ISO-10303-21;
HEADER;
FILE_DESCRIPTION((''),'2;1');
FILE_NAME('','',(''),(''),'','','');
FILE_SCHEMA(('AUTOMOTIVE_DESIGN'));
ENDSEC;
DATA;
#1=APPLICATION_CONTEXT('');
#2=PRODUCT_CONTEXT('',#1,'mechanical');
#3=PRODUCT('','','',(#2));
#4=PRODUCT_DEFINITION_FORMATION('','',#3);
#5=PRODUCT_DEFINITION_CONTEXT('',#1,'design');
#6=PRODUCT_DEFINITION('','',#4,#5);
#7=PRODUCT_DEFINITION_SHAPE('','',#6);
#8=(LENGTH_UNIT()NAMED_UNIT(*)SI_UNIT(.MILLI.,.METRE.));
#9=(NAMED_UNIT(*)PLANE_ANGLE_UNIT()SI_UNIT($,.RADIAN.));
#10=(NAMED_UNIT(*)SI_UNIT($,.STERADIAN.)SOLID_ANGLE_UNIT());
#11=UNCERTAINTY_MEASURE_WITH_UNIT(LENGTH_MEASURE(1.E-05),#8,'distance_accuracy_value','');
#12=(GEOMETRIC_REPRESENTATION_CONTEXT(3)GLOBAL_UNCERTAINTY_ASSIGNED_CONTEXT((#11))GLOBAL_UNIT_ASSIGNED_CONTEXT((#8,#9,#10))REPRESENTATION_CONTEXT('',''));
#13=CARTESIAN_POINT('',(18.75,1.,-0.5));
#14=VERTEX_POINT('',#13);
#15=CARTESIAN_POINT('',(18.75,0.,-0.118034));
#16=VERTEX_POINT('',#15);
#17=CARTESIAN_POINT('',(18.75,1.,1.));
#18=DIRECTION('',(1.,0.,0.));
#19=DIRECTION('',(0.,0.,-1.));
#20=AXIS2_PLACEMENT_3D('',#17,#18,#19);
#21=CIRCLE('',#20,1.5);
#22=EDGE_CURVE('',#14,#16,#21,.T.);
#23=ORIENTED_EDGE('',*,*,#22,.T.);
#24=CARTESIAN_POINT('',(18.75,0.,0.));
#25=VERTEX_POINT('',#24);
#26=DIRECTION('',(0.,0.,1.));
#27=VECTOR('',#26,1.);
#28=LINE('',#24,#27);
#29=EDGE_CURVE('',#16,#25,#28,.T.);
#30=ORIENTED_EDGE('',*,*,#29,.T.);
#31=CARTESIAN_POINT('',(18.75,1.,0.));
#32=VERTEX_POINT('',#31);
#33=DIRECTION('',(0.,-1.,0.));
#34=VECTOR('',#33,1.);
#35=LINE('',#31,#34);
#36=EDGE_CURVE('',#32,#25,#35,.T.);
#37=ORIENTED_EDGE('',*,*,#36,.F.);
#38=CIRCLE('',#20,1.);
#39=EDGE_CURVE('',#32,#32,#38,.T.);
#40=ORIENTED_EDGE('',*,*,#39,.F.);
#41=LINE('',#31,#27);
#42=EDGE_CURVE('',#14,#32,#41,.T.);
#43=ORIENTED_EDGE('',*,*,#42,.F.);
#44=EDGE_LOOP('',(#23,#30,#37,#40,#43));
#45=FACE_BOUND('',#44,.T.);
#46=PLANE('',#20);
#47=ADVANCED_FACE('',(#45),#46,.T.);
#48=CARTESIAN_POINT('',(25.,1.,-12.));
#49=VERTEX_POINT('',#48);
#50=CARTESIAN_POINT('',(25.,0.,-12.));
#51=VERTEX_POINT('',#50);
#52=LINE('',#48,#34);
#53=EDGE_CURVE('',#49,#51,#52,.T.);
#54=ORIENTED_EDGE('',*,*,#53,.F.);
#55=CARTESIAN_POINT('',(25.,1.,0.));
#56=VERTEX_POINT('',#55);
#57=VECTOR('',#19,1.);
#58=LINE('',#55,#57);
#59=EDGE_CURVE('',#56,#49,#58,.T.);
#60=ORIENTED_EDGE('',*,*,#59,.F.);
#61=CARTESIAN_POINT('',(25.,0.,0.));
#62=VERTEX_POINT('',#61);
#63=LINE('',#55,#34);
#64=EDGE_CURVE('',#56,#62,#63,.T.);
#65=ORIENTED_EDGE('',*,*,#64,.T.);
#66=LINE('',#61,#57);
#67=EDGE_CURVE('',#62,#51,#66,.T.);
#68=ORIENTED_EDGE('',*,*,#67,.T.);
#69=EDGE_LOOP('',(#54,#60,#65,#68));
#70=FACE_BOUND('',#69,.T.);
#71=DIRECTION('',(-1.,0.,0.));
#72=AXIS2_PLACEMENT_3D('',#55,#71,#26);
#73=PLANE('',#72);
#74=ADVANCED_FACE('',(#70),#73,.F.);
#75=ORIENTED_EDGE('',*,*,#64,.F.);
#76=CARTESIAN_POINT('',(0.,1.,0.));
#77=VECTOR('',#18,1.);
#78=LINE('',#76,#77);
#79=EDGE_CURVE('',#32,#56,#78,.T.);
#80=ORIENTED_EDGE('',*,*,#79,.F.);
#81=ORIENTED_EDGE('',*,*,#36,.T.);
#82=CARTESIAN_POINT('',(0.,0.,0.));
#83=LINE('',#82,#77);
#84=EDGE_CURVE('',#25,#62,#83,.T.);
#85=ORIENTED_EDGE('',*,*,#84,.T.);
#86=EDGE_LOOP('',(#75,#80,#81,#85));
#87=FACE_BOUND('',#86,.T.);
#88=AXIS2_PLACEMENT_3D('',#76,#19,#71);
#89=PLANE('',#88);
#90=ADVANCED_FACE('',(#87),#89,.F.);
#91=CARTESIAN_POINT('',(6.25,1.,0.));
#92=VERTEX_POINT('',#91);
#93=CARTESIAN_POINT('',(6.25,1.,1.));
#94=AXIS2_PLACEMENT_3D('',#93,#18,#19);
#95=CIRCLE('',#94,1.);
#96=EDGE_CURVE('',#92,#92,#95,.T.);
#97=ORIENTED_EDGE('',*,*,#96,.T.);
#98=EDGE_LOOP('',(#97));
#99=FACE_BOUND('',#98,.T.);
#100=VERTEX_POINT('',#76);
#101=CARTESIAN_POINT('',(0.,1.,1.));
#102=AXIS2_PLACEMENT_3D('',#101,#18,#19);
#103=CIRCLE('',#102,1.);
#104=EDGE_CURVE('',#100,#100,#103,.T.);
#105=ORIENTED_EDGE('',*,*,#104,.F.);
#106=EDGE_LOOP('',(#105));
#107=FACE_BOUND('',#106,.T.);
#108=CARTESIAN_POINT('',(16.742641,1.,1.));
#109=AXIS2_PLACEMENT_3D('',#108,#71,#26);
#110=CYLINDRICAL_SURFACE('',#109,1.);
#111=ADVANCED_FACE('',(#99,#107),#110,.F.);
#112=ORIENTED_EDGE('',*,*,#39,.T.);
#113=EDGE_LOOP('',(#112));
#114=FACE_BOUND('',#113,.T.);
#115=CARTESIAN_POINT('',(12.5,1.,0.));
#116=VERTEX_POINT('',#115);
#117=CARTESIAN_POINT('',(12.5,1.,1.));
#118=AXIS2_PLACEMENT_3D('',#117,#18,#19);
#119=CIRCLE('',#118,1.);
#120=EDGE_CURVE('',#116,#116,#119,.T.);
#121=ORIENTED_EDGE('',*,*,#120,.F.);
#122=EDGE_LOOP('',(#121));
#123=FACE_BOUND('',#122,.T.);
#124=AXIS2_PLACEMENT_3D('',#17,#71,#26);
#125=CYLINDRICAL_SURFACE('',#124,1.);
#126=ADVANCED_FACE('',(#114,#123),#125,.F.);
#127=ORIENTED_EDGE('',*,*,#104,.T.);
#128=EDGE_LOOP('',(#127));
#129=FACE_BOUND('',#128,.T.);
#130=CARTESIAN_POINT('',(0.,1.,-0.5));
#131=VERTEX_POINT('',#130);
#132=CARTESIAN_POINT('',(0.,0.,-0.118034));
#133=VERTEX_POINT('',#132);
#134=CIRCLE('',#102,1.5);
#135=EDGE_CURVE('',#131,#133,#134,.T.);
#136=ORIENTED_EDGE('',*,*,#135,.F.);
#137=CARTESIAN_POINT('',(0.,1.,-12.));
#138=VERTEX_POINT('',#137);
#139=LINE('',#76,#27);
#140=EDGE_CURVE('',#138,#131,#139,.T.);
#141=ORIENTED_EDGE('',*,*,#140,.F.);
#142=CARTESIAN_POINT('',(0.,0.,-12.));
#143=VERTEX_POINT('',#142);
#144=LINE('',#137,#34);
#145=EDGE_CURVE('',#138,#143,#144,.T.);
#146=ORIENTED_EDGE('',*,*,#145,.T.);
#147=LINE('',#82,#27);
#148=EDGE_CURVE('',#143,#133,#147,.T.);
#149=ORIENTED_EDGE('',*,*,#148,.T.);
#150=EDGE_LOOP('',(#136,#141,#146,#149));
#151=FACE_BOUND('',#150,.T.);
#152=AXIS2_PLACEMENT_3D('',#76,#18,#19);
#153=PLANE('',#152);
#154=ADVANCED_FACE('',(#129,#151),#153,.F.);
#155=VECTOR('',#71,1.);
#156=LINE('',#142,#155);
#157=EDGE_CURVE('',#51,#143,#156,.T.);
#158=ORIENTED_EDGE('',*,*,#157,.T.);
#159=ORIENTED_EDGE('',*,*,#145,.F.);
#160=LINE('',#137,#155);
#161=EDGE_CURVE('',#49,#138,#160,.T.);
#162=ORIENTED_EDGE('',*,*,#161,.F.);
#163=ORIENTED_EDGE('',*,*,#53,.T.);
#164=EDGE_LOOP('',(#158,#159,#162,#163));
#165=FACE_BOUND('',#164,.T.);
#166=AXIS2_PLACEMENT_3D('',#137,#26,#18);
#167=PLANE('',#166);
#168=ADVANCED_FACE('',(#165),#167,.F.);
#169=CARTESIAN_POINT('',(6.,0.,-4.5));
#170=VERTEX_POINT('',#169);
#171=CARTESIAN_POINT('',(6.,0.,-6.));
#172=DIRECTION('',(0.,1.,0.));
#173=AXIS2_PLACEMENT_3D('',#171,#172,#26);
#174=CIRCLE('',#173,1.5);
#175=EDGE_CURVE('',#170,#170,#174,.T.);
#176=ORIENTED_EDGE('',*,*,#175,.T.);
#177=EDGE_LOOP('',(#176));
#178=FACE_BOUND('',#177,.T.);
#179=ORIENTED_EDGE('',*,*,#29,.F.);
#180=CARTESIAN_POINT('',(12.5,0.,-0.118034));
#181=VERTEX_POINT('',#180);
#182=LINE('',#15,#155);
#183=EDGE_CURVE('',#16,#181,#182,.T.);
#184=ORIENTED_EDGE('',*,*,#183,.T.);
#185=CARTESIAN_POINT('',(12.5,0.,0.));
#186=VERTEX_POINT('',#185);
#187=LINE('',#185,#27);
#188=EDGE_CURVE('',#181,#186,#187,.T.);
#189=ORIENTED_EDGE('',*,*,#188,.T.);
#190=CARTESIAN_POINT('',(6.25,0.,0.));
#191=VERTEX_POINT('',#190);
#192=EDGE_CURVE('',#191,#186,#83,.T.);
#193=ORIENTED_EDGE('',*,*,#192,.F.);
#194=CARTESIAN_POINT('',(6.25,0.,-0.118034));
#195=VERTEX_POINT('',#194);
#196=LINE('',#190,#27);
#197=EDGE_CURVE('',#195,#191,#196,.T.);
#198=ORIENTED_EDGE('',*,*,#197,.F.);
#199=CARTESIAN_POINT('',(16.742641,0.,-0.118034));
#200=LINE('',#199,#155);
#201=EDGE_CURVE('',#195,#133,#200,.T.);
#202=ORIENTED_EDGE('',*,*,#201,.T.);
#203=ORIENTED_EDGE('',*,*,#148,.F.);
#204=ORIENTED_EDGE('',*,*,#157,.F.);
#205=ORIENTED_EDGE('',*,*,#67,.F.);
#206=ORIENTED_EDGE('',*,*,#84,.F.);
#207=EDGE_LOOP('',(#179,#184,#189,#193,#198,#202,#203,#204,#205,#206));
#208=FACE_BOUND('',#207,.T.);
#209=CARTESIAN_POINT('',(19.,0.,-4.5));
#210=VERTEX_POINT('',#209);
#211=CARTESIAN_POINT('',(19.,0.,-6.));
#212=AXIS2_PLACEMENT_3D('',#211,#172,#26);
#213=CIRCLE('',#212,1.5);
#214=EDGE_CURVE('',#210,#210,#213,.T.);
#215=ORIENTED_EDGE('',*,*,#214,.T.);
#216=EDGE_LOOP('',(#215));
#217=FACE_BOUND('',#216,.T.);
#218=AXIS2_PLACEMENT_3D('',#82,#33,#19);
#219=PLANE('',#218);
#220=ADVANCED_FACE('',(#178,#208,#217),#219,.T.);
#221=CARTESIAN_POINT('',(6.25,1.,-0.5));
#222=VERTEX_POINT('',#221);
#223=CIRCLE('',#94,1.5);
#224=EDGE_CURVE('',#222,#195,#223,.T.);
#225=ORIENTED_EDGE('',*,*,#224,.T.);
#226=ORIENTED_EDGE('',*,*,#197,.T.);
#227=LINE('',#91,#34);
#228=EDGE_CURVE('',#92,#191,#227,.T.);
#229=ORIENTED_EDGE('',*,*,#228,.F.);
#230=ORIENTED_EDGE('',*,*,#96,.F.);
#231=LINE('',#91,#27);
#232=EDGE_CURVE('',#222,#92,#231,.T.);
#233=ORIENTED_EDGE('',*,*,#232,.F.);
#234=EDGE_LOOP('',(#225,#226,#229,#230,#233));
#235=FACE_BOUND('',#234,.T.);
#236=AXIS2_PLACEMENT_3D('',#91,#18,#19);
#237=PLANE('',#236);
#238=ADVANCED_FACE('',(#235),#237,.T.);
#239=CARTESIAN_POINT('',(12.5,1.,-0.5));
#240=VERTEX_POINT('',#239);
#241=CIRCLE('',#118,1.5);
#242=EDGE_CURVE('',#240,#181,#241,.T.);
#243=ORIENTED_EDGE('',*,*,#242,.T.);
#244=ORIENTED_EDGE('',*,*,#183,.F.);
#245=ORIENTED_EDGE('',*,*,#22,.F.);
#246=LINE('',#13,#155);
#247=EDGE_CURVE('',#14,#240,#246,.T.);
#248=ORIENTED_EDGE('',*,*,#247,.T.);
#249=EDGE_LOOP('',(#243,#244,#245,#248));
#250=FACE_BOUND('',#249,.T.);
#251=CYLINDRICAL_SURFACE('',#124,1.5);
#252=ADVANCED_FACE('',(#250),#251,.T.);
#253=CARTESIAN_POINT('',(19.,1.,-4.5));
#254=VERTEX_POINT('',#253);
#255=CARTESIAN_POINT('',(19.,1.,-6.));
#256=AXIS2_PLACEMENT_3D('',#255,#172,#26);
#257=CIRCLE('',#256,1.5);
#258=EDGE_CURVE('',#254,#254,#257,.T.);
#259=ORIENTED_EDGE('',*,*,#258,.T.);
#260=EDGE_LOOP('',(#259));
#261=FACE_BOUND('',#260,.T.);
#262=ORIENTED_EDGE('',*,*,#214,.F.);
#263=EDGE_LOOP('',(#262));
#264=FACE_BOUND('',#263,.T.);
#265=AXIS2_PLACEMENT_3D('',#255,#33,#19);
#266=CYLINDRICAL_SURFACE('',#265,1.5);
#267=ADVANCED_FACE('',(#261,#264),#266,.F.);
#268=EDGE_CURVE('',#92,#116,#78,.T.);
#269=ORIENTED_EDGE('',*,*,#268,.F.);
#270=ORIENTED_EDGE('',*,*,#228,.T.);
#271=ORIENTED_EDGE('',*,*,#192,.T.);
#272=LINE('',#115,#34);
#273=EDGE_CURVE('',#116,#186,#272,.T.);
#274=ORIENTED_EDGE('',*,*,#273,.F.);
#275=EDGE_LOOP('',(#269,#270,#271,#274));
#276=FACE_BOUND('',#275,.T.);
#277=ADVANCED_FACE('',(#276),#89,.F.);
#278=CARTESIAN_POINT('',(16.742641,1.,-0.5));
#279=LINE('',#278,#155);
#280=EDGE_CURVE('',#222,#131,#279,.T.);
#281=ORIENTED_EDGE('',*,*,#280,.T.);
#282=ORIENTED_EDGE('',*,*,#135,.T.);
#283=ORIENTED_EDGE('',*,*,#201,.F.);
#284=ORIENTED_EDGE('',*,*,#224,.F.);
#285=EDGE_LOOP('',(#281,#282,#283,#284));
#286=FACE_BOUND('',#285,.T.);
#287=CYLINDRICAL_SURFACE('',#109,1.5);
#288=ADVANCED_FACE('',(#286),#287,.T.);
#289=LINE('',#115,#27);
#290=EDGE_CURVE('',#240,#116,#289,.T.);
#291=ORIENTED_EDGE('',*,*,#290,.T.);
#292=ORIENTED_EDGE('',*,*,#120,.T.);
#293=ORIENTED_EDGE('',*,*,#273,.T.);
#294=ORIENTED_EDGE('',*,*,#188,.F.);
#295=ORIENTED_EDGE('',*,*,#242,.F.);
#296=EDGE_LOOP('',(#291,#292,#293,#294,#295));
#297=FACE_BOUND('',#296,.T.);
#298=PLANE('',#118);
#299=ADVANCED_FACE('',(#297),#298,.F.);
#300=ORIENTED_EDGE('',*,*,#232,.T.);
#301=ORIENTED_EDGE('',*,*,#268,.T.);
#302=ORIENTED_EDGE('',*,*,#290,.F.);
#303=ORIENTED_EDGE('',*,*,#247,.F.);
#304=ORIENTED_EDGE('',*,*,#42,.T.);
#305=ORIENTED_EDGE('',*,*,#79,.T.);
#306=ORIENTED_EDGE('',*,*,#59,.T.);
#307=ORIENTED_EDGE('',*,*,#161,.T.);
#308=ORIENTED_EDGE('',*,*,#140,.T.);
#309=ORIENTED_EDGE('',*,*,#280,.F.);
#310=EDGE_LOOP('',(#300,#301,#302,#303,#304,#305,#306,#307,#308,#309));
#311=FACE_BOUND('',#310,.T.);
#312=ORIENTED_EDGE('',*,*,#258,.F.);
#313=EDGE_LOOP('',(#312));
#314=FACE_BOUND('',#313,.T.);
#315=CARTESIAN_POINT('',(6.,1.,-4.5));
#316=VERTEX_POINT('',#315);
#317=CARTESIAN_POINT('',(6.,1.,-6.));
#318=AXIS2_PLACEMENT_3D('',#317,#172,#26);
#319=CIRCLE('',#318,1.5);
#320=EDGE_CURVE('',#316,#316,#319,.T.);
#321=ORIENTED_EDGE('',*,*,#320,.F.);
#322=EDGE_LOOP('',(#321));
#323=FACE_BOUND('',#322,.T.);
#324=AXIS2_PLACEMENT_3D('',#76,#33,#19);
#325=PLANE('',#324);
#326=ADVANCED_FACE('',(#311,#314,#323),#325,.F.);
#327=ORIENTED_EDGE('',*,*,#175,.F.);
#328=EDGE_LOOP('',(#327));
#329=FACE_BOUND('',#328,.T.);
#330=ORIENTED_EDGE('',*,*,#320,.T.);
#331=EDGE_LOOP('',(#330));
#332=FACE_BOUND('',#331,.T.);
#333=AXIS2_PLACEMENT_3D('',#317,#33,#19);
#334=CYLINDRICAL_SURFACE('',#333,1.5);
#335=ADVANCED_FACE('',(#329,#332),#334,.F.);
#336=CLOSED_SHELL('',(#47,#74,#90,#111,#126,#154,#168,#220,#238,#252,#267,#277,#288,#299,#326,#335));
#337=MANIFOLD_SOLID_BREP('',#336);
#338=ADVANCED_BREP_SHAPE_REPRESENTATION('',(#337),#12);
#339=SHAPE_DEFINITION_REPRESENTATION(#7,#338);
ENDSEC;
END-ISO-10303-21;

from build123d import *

# Parameters (mm, degrees)
SKETCH1_W           = 25
SKETCH1_H           = 12
SKETCH1_R           = 1.5
BOSS_EXTRUDE1_DEPTH = 1
SKETCH2_R           = 1.5
SKETCH2_R_2         = 1
BOSS_EXTRUDE2_DEPTH = 6.25
BOSS_EXTRUDE3_START = 12.5
SKETCH3_R           = 1.5
SKETCH3_R_2         = 1
BOSS_EXTRUDE3_DEPTH = 6.25


with BuildPart() as part:
    # Sketch1 → Boss-Extrude1 (new body)
    with BuildSketch(Plane(origin=(0, 0, 0), x_dir=(1, 0, 0), z_dir=(0, 1, 0))):
        with Locations((12.5, 6)):
            Rectangle(SKETCH1_W, SKETCH1_H)
        with Locations((6, 6)):
            Circle(SKETCH1_R, mode=Mode.SUBTRACT)
        with Locations((19, 6)):
            Circle(SKETCH1_R, mode=Mode.SUBTRACT)
    extrude(amount=BOSS_EXTRUDE1_DEPTH)

    # Sketch2 → Boss-Extrude2 (add)
    with BuildSketch(Plane(origin=(0, 0, 0), x_dir=(0, 0, -1), z_dir=(1, 0, 0))):
        with Locations((-1, 1)):
            Circle(SKETCH2_R)
        with Locations((-1, 1)):
            Circle(SKETCH2_R_2, mode=Mode.SUBTRACT)
    extrude(amount=BOSS_EXTRUDE2_DEPTH)

    # Sketch3 → Boss-Extrude3 (add)
    with BuildSketch(Plane(origin=(0, 0, 0), x_dir=(0, 0, -1), z_dir=(1, 0, 0)).offset(BOSS_EXTRUDE3_START)):
        with Locations((-1, 1)):
            Circle(SKETCH3_R)
        with Locations((-1, 1)):
            Circle(SKETCH3_R_2, mode=Mode.SUBTRACT)
    extrude(amount=BOSS_EXTRUDE3_DEPTH)


solid = part.part
